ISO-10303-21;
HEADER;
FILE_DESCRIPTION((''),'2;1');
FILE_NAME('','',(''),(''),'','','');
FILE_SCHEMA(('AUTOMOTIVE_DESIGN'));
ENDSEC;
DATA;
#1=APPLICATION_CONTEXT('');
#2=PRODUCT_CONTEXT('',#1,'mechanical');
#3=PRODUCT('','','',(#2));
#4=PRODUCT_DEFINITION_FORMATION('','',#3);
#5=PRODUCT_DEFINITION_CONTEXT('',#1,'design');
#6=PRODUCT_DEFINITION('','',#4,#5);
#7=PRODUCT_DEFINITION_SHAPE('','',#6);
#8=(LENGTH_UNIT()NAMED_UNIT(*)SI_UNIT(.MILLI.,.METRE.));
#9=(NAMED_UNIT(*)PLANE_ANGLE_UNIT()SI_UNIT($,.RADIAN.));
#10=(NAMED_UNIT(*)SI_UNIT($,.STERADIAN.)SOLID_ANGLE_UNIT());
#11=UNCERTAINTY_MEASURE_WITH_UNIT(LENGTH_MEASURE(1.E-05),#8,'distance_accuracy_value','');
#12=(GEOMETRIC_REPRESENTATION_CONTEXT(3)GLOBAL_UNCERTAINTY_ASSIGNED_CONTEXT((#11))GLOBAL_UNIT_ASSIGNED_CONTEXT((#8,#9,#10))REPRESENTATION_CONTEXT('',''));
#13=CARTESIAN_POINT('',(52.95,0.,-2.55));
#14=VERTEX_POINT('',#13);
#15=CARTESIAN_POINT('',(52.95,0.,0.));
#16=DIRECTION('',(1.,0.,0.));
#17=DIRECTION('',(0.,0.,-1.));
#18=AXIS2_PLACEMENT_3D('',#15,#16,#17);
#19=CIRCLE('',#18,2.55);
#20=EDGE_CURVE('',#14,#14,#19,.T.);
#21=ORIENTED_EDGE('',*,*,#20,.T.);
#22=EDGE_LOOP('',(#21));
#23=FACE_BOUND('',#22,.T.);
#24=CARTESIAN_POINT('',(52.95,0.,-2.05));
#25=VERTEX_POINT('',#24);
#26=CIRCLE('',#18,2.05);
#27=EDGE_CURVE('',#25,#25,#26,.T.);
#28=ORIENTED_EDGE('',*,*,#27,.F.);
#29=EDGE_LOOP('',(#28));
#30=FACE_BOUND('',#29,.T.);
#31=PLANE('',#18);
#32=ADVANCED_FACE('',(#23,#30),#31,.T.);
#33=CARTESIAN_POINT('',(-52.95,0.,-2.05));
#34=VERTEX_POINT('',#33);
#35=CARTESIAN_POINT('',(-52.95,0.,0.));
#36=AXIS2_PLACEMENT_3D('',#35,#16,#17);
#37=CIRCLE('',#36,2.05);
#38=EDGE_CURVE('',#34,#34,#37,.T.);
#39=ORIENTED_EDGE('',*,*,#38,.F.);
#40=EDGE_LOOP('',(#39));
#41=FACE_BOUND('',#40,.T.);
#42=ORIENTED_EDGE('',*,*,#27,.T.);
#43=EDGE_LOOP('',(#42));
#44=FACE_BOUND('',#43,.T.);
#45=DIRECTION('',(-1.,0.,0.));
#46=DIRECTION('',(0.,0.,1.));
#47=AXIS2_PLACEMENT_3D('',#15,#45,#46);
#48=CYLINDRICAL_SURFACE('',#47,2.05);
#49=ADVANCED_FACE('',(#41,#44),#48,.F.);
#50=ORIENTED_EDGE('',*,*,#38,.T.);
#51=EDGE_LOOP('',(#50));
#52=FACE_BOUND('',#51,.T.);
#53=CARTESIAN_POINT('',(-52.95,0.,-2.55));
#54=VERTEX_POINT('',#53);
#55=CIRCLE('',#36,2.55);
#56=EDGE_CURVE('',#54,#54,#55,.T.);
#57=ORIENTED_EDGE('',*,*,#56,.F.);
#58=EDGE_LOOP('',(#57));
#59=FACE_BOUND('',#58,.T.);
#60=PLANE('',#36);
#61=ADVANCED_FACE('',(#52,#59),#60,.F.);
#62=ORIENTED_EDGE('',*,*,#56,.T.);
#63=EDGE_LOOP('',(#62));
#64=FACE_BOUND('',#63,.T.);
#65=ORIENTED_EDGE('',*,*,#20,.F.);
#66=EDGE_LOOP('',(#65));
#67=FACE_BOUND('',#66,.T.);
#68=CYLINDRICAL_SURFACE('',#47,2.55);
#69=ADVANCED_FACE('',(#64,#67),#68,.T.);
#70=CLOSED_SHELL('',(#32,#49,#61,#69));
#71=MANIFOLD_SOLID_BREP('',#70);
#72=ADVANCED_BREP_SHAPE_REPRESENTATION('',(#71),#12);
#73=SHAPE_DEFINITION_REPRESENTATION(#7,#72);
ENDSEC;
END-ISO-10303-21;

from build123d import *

# Parameters (mm, degrees)
SKIZZE1_R                       = 2.55
SKIZZE1_R_2                     = 2.05
AUFSATZ_LINEAR_AUSTRAGEN1_DEPTH = 52.95


with BuildPart() as part:
    # Skizze1 → Aufsatz-Linear austragen1 (new, symmetric)
    with BuildSketch(Plane(origin=(0, 0, 0), x_dir=(0, 0, -1), z_dir=(1, 0, 0))):
        Circle(SKIZZE1_R)
        Circle(SKIZZE1_R_2, mode=Mode.SUBTRACT)
    extrude(amount=AUFSATZ_LINEAR_AUSTRAGEN1_DEPTH, both=True)


solid = part.part
